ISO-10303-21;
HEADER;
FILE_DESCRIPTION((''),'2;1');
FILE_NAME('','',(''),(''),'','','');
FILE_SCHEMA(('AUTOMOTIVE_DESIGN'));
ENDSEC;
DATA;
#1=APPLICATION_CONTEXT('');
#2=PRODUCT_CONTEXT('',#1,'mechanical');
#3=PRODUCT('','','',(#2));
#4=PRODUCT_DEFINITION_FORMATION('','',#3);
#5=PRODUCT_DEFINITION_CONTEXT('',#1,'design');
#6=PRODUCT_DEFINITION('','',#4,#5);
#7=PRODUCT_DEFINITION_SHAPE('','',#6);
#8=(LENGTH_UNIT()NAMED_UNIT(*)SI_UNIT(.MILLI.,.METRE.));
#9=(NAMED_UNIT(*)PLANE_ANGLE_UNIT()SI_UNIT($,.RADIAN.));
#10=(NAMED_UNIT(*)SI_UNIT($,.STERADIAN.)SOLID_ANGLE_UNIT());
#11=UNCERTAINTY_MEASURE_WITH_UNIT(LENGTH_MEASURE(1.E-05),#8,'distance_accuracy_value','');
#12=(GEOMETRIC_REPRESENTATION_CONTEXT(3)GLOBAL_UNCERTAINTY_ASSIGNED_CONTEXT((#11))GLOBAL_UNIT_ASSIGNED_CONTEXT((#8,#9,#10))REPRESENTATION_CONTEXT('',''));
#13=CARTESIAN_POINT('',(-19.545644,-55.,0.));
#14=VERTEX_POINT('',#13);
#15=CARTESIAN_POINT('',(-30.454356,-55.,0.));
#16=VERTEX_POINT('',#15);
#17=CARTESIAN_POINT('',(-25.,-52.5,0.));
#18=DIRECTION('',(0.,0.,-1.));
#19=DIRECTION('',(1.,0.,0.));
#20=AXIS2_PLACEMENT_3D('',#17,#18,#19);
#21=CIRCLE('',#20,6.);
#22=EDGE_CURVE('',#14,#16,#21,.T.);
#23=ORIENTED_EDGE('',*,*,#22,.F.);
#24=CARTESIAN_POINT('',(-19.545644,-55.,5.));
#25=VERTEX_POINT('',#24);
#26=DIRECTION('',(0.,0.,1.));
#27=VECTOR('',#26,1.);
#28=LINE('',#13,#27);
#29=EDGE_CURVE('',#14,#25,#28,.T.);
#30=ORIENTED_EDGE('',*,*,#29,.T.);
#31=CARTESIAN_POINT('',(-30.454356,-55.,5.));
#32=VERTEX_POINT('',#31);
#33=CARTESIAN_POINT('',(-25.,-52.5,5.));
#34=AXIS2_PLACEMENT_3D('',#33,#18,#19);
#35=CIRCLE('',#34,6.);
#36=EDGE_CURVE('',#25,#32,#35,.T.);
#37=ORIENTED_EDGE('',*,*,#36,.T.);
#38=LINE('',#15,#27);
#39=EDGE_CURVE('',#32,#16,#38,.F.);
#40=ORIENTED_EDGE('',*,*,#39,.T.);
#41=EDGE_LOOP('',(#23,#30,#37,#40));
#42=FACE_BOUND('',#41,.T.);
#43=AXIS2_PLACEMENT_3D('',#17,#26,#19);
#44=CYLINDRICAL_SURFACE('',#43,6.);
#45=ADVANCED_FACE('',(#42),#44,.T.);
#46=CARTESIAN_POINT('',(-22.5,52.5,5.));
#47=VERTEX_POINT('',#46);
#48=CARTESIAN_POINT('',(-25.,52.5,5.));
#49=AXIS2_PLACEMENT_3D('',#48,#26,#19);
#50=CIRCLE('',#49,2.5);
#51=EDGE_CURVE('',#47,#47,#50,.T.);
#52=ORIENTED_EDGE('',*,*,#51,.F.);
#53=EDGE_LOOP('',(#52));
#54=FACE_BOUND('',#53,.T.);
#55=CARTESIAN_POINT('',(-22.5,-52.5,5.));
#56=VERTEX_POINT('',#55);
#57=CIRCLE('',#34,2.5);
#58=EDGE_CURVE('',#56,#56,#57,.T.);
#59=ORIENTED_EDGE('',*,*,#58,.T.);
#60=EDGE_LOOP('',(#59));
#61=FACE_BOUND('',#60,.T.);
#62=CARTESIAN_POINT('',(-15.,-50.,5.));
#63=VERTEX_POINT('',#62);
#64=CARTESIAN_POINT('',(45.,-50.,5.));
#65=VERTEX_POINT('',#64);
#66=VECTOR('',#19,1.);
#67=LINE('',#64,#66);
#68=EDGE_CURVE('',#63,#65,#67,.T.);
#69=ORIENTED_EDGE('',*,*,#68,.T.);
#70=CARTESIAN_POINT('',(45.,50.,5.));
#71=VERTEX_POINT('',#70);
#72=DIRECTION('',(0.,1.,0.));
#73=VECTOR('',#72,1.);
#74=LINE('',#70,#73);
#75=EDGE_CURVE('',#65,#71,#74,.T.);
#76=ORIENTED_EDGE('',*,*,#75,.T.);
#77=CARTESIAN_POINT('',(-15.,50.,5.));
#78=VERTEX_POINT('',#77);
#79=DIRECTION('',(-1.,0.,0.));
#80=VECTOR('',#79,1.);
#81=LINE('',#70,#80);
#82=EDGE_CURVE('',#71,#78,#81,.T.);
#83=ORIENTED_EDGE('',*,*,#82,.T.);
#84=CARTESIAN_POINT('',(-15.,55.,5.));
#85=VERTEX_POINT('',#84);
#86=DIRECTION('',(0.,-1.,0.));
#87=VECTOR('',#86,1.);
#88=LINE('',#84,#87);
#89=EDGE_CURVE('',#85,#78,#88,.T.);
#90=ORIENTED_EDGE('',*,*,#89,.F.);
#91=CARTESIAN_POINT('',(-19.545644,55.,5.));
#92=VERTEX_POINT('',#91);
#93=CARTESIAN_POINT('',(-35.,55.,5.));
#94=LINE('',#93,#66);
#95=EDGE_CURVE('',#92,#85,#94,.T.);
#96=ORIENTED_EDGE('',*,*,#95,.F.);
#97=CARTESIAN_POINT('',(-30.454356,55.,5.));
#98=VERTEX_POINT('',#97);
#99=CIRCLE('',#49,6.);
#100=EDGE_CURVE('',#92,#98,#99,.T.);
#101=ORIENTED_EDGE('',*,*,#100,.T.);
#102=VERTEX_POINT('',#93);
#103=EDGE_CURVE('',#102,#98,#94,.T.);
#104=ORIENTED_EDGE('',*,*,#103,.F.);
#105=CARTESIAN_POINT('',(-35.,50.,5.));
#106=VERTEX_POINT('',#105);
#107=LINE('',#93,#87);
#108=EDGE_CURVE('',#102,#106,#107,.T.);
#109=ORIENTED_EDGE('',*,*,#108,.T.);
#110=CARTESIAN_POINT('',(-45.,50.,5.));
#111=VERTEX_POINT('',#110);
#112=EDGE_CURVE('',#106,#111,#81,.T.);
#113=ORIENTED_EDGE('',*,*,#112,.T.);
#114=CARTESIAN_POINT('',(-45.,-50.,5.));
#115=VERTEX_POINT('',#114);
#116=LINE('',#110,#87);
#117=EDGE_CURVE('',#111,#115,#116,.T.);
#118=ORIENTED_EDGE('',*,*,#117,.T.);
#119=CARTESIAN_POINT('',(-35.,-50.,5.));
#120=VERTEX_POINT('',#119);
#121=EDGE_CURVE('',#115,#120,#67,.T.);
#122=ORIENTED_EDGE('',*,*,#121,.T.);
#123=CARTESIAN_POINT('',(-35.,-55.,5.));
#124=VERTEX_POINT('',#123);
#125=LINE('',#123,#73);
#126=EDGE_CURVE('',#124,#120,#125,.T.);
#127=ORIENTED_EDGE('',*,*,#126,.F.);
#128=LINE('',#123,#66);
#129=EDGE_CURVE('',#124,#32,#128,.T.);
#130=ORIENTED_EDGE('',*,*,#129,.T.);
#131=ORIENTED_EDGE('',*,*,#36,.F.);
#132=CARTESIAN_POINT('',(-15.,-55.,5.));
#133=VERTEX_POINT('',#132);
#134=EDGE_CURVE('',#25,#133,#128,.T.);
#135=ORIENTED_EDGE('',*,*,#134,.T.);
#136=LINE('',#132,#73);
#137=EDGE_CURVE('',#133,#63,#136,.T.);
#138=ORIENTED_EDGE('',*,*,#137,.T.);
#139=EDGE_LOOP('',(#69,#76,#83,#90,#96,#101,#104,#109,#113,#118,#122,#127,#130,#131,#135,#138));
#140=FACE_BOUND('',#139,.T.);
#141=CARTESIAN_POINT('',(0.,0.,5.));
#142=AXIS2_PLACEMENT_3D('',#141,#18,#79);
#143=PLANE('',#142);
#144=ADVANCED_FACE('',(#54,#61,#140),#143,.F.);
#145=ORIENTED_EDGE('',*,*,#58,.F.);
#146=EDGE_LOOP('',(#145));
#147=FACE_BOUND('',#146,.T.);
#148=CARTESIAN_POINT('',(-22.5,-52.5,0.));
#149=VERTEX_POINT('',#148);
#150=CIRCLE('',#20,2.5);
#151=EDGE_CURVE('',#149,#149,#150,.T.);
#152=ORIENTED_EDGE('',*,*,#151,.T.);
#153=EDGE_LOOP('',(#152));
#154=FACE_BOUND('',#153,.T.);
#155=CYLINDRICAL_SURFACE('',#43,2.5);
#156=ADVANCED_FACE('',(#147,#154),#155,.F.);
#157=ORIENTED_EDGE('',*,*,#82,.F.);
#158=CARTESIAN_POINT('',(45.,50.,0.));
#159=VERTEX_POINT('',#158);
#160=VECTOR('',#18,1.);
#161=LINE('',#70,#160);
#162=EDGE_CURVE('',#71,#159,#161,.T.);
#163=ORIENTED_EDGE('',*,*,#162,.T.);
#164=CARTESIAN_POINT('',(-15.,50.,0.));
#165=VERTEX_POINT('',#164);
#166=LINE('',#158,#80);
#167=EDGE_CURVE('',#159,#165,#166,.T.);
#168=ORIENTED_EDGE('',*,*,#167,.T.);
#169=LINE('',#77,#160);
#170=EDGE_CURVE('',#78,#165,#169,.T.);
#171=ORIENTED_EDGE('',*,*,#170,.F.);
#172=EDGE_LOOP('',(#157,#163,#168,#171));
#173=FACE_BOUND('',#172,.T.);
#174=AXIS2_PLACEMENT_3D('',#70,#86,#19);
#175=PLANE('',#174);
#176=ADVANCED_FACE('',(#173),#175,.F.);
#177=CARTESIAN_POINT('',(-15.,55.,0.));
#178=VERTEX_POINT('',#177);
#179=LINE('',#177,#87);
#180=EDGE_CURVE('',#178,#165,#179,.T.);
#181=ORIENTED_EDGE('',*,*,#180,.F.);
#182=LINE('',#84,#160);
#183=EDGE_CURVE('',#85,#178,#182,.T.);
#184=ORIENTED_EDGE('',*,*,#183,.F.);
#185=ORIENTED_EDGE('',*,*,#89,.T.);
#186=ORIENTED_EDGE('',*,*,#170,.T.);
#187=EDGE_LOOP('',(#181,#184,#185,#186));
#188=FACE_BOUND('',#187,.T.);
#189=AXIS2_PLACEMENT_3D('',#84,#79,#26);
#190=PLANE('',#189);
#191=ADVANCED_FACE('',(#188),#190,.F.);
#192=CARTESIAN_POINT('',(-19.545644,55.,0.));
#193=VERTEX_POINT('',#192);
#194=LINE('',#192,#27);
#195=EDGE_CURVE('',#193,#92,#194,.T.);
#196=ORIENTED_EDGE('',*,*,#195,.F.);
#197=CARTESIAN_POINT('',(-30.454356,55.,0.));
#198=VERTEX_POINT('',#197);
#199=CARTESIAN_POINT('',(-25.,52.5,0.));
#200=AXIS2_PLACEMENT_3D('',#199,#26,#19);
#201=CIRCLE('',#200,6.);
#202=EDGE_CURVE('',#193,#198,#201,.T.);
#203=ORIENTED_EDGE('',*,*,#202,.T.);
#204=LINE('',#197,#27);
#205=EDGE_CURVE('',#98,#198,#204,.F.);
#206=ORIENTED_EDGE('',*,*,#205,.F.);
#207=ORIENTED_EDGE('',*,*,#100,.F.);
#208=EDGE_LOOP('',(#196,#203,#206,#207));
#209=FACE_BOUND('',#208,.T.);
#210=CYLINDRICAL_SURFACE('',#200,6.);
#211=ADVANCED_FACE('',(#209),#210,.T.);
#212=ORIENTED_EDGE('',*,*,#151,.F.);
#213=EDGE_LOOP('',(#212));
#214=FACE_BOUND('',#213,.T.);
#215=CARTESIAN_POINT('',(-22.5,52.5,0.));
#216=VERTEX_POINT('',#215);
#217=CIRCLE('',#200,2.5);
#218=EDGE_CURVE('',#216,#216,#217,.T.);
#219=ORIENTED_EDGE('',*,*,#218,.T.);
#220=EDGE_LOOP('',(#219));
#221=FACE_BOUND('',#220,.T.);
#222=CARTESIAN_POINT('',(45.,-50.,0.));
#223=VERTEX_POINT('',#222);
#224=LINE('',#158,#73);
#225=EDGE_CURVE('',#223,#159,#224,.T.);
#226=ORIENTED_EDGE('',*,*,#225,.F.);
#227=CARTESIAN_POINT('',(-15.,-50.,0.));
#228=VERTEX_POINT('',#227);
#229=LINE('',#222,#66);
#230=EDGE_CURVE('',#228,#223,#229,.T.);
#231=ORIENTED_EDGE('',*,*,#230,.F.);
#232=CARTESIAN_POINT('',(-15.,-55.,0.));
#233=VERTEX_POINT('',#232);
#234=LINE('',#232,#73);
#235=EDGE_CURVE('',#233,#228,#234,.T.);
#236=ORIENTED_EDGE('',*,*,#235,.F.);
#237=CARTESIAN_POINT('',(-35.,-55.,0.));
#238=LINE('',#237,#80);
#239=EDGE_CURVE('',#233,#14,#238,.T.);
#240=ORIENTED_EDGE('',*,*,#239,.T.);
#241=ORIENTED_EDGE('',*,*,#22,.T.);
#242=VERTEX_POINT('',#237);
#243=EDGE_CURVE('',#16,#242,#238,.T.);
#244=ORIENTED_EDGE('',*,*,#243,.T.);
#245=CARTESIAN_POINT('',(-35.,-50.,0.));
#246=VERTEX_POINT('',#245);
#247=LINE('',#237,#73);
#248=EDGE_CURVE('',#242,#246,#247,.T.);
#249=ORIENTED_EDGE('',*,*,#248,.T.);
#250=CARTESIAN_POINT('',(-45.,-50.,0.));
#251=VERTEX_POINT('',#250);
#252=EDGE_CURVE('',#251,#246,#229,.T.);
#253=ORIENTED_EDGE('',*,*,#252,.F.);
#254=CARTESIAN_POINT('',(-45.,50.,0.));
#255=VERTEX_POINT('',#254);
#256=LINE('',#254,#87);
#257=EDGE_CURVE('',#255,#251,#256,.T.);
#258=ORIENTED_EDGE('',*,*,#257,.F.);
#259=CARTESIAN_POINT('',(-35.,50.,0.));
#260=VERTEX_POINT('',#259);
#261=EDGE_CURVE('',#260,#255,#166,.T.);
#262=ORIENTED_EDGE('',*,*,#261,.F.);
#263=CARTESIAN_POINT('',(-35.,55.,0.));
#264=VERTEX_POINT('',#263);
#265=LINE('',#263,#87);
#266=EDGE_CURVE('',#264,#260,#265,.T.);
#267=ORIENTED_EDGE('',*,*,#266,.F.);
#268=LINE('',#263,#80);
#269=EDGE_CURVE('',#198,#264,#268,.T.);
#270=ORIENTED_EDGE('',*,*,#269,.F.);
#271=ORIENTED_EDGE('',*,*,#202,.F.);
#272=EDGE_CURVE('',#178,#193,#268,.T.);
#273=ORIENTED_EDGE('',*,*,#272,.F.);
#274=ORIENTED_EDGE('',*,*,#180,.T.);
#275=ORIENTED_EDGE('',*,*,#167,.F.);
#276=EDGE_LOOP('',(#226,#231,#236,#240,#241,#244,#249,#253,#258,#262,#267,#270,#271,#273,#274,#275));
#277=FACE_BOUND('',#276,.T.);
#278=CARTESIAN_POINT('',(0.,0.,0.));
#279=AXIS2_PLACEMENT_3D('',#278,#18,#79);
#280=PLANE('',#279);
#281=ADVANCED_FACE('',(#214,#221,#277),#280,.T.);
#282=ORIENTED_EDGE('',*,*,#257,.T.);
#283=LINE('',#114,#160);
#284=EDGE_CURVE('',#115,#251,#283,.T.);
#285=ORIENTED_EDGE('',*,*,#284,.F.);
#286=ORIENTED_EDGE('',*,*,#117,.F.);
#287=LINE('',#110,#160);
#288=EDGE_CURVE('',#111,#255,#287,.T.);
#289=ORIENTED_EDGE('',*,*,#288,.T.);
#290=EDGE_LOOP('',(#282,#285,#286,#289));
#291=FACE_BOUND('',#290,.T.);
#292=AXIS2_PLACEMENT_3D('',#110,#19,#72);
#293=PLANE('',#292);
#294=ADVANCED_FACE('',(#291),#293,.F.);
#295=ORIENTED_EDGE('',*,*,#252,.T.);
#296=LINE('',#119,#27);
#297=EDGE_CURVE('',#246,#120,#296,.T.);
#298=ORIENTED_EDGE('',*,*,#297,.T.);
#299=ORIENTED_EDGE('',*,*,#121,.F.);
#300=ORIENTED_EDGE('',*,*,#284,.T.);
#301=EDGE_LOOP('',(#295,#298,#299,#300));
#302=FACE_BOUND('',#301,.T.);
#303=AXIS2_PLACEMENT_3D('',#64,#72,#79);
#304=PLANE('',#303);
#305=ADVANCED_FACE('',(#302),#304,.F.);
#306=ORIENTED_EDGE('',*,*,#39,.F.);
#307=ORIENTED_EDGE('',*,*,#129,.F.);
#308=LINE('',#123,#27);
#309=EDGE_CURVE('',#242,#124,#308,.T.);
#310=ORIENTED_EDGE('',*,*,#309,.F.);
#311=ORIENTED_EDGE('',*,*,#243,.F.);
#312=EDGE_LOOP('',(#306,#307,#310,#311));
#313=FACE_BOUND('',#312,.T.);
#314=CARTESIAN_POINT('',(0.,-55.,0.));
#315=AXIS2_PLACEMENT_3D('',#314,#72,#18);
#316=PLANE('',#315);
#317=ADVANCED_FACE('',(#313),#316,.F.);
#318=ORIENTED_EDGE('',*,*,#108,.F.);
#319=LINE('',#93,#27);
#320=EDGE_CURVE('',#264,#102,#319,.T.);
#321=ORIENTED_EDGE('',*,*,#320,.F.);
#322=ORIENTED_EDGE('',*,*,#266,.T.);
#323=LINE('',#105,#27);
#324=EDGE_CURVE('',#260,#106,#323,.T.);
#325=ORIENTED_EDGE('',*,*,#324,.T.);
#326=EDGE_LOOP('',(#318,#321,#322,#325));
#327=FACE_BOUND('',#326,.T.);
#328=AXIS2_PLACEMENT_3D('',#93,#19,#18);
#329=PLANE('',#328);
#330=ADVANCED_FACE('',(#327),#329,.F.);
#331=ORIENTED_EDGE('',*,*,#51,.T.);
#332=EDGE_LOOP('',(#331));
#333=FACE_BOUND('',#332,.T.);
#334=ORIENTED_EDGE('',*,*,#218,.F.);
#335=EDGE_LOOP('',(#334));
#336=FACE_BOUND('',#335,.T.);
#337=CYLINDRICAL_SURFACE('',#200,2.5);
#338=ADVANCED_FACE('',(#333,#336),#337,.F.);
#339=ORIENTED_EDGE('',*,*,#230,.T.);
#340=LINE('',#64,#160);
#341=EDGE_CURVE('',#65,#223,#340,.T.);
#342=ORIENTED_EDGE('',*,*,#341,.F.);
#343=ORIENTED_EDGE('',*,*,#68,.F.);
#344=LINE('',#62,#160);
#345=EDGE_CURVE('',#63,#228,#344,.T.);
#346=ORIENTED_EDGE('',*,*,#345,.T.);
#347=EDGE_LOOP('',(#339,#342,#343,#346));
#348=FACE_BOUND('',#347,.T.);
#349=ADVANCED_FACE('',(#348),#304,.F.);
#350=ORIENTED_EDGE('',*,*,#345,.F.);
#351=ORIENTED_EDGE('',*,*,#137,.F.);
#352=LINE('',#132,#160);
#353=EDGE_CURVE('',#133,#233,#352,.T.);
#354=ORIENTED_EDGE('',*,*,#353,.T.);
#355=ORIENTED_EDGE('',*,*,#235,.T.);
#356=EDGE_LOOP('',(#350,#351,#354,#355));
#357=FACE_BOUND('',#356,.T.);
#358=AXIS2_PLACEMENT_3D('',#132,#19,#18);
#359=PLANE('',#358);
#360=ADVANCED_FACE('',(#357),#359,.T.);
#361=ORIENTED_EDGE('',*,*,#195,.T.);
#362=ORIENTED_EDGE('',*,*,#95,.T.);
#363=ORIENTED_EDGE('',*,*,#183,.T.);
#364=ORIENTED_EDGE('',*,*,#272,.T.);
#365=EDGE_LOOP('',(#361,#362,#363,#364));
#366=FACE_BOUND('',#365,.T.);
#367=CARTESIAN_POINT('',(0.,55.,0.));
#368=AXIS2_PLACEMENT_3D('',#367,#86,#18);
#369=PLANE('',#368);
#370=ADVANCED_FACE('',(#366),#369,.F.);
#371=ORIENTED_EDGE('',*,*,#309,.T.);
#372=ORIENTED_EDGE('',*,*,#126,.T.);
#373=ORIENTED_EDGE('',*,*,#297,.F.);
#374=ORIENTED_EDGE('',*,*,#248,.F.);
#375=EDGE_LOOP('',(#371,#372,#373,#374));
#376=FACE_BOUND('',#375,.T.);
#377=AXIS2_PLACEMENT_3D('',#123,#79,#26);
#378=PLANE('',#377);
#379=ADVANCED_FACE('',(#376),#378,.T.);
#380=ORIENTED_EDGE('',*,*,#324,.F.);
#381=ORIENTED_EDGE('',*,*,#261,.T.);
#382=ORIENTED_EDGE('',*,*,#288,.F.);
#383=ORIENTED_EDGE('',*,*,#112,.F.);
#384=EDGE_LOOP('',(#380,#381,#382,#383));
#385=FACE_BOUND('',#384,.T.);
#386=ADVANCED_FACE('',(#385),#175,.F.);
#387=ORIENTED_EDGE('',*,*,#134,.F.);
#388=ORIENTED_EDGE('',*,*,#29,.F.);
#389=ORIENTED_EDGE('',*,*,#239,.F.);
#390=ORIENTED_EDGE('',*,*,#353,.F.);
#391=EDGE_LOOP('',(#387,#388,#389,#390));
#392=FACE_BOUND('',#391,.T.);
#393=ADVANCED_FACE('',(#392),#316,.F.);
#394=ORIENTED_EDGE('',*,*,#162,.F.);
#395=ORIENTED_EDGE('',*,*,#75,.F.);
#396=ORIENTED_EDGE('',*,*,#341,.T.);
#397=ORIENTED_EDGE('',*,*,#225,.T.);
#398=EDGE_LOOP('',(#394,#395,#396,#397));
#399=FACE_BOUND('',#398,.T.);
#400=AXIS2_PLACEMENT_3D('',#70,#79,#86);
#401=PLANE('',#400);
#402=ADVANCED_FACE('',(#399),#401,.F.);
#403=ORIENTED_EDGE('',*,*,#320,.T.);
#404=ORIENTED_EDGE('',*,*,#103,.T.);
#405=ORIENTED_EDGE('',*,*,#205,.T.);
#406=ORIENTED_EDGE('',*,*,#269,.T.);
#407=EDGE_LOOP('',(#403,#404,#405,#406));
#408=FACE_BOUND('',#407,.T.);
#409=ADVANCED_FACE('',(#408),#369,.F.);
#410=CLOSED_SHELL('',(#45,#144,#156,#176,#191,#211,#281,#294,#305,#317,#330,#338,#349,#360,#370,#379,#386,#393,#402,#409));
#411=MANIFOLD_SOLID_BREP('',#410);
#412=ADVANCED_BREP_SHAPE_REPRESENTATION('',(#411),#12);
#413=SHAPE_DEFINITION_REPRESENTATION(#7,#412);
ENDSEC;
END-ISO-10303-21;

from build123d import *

# Parameters (mm, degrees)
SKETCH1_W           = 90
SKETCH1_H           = 100
BOSS_EXTRUDE1_DEPTH = 5
SKETCH2_W           = 20
SKETCH2_H           = 5
BOSS_EXTRUDE2_DEPTH = 5
SKETCH3_R           = 6
BOSS_EXTRUDE3_DEPTH = 5
SKETCH4_R           = 2.5
CUT_EXTRUDE1_DEPTH  = 5


with BuildPart() as part:
    # Sketch1 → Boss-Extrude1 (new body)
    with BuildSketch(Plane.XY):
        Rectangle(SKETCH1_W, SKETCH1_H)
    extrude(amount=BOSS_EXTRUDE1_DEPTH)

    # Sketch2 → Boss-Extrude2 (add)
    with BuildSketch(Plane(origin=(0, 50, 0), x_dir=(1, 0, 0), z_dir=(0, 1, 0))):
        with Locations((-25, -2.5)):
            Rectangle(SKETCH2_W, SKETCH2_H)
    boss_extrude2 = extrude(amount=BOSS_EXTRUDE2_DEPTH)

    # Mirror1: Boss-Extrude2 across plane
    add(boss_extrude2.mirror(Plane.ZX))

    # Sketch3 → Boss-Extrude3 (add)
    with BuildSketch(Plane.XY.offset(5)):
        with Locations((-25, 52.5)):
            Circle(SKETCH3_R)
    boss_extrude3 = extrude(amount=-BOSS_EXTRUDE3_DEPTH)

    # Sketch4 → Cut-Extrude1 (cut)
    with BuildSketch(Plane.XY.offset(5)):
        with Locations((-25, 52.5)):
            Circle(SKETCH4_R)
    cut_extrude1 = extrude(amount=-CUT_EXTRUDE1_DEPTH, mode=Mode.SUBTRACT)

    # Mirror2: Boss-Extrude3, Cut-Extrude1 across plane
    add(boss_extrude3.mirror(Plane.ZX))
    add(cut_extrude1.mirror(Plane.ZX), mode=Mode.SUBTRACT)


solid = part.part
